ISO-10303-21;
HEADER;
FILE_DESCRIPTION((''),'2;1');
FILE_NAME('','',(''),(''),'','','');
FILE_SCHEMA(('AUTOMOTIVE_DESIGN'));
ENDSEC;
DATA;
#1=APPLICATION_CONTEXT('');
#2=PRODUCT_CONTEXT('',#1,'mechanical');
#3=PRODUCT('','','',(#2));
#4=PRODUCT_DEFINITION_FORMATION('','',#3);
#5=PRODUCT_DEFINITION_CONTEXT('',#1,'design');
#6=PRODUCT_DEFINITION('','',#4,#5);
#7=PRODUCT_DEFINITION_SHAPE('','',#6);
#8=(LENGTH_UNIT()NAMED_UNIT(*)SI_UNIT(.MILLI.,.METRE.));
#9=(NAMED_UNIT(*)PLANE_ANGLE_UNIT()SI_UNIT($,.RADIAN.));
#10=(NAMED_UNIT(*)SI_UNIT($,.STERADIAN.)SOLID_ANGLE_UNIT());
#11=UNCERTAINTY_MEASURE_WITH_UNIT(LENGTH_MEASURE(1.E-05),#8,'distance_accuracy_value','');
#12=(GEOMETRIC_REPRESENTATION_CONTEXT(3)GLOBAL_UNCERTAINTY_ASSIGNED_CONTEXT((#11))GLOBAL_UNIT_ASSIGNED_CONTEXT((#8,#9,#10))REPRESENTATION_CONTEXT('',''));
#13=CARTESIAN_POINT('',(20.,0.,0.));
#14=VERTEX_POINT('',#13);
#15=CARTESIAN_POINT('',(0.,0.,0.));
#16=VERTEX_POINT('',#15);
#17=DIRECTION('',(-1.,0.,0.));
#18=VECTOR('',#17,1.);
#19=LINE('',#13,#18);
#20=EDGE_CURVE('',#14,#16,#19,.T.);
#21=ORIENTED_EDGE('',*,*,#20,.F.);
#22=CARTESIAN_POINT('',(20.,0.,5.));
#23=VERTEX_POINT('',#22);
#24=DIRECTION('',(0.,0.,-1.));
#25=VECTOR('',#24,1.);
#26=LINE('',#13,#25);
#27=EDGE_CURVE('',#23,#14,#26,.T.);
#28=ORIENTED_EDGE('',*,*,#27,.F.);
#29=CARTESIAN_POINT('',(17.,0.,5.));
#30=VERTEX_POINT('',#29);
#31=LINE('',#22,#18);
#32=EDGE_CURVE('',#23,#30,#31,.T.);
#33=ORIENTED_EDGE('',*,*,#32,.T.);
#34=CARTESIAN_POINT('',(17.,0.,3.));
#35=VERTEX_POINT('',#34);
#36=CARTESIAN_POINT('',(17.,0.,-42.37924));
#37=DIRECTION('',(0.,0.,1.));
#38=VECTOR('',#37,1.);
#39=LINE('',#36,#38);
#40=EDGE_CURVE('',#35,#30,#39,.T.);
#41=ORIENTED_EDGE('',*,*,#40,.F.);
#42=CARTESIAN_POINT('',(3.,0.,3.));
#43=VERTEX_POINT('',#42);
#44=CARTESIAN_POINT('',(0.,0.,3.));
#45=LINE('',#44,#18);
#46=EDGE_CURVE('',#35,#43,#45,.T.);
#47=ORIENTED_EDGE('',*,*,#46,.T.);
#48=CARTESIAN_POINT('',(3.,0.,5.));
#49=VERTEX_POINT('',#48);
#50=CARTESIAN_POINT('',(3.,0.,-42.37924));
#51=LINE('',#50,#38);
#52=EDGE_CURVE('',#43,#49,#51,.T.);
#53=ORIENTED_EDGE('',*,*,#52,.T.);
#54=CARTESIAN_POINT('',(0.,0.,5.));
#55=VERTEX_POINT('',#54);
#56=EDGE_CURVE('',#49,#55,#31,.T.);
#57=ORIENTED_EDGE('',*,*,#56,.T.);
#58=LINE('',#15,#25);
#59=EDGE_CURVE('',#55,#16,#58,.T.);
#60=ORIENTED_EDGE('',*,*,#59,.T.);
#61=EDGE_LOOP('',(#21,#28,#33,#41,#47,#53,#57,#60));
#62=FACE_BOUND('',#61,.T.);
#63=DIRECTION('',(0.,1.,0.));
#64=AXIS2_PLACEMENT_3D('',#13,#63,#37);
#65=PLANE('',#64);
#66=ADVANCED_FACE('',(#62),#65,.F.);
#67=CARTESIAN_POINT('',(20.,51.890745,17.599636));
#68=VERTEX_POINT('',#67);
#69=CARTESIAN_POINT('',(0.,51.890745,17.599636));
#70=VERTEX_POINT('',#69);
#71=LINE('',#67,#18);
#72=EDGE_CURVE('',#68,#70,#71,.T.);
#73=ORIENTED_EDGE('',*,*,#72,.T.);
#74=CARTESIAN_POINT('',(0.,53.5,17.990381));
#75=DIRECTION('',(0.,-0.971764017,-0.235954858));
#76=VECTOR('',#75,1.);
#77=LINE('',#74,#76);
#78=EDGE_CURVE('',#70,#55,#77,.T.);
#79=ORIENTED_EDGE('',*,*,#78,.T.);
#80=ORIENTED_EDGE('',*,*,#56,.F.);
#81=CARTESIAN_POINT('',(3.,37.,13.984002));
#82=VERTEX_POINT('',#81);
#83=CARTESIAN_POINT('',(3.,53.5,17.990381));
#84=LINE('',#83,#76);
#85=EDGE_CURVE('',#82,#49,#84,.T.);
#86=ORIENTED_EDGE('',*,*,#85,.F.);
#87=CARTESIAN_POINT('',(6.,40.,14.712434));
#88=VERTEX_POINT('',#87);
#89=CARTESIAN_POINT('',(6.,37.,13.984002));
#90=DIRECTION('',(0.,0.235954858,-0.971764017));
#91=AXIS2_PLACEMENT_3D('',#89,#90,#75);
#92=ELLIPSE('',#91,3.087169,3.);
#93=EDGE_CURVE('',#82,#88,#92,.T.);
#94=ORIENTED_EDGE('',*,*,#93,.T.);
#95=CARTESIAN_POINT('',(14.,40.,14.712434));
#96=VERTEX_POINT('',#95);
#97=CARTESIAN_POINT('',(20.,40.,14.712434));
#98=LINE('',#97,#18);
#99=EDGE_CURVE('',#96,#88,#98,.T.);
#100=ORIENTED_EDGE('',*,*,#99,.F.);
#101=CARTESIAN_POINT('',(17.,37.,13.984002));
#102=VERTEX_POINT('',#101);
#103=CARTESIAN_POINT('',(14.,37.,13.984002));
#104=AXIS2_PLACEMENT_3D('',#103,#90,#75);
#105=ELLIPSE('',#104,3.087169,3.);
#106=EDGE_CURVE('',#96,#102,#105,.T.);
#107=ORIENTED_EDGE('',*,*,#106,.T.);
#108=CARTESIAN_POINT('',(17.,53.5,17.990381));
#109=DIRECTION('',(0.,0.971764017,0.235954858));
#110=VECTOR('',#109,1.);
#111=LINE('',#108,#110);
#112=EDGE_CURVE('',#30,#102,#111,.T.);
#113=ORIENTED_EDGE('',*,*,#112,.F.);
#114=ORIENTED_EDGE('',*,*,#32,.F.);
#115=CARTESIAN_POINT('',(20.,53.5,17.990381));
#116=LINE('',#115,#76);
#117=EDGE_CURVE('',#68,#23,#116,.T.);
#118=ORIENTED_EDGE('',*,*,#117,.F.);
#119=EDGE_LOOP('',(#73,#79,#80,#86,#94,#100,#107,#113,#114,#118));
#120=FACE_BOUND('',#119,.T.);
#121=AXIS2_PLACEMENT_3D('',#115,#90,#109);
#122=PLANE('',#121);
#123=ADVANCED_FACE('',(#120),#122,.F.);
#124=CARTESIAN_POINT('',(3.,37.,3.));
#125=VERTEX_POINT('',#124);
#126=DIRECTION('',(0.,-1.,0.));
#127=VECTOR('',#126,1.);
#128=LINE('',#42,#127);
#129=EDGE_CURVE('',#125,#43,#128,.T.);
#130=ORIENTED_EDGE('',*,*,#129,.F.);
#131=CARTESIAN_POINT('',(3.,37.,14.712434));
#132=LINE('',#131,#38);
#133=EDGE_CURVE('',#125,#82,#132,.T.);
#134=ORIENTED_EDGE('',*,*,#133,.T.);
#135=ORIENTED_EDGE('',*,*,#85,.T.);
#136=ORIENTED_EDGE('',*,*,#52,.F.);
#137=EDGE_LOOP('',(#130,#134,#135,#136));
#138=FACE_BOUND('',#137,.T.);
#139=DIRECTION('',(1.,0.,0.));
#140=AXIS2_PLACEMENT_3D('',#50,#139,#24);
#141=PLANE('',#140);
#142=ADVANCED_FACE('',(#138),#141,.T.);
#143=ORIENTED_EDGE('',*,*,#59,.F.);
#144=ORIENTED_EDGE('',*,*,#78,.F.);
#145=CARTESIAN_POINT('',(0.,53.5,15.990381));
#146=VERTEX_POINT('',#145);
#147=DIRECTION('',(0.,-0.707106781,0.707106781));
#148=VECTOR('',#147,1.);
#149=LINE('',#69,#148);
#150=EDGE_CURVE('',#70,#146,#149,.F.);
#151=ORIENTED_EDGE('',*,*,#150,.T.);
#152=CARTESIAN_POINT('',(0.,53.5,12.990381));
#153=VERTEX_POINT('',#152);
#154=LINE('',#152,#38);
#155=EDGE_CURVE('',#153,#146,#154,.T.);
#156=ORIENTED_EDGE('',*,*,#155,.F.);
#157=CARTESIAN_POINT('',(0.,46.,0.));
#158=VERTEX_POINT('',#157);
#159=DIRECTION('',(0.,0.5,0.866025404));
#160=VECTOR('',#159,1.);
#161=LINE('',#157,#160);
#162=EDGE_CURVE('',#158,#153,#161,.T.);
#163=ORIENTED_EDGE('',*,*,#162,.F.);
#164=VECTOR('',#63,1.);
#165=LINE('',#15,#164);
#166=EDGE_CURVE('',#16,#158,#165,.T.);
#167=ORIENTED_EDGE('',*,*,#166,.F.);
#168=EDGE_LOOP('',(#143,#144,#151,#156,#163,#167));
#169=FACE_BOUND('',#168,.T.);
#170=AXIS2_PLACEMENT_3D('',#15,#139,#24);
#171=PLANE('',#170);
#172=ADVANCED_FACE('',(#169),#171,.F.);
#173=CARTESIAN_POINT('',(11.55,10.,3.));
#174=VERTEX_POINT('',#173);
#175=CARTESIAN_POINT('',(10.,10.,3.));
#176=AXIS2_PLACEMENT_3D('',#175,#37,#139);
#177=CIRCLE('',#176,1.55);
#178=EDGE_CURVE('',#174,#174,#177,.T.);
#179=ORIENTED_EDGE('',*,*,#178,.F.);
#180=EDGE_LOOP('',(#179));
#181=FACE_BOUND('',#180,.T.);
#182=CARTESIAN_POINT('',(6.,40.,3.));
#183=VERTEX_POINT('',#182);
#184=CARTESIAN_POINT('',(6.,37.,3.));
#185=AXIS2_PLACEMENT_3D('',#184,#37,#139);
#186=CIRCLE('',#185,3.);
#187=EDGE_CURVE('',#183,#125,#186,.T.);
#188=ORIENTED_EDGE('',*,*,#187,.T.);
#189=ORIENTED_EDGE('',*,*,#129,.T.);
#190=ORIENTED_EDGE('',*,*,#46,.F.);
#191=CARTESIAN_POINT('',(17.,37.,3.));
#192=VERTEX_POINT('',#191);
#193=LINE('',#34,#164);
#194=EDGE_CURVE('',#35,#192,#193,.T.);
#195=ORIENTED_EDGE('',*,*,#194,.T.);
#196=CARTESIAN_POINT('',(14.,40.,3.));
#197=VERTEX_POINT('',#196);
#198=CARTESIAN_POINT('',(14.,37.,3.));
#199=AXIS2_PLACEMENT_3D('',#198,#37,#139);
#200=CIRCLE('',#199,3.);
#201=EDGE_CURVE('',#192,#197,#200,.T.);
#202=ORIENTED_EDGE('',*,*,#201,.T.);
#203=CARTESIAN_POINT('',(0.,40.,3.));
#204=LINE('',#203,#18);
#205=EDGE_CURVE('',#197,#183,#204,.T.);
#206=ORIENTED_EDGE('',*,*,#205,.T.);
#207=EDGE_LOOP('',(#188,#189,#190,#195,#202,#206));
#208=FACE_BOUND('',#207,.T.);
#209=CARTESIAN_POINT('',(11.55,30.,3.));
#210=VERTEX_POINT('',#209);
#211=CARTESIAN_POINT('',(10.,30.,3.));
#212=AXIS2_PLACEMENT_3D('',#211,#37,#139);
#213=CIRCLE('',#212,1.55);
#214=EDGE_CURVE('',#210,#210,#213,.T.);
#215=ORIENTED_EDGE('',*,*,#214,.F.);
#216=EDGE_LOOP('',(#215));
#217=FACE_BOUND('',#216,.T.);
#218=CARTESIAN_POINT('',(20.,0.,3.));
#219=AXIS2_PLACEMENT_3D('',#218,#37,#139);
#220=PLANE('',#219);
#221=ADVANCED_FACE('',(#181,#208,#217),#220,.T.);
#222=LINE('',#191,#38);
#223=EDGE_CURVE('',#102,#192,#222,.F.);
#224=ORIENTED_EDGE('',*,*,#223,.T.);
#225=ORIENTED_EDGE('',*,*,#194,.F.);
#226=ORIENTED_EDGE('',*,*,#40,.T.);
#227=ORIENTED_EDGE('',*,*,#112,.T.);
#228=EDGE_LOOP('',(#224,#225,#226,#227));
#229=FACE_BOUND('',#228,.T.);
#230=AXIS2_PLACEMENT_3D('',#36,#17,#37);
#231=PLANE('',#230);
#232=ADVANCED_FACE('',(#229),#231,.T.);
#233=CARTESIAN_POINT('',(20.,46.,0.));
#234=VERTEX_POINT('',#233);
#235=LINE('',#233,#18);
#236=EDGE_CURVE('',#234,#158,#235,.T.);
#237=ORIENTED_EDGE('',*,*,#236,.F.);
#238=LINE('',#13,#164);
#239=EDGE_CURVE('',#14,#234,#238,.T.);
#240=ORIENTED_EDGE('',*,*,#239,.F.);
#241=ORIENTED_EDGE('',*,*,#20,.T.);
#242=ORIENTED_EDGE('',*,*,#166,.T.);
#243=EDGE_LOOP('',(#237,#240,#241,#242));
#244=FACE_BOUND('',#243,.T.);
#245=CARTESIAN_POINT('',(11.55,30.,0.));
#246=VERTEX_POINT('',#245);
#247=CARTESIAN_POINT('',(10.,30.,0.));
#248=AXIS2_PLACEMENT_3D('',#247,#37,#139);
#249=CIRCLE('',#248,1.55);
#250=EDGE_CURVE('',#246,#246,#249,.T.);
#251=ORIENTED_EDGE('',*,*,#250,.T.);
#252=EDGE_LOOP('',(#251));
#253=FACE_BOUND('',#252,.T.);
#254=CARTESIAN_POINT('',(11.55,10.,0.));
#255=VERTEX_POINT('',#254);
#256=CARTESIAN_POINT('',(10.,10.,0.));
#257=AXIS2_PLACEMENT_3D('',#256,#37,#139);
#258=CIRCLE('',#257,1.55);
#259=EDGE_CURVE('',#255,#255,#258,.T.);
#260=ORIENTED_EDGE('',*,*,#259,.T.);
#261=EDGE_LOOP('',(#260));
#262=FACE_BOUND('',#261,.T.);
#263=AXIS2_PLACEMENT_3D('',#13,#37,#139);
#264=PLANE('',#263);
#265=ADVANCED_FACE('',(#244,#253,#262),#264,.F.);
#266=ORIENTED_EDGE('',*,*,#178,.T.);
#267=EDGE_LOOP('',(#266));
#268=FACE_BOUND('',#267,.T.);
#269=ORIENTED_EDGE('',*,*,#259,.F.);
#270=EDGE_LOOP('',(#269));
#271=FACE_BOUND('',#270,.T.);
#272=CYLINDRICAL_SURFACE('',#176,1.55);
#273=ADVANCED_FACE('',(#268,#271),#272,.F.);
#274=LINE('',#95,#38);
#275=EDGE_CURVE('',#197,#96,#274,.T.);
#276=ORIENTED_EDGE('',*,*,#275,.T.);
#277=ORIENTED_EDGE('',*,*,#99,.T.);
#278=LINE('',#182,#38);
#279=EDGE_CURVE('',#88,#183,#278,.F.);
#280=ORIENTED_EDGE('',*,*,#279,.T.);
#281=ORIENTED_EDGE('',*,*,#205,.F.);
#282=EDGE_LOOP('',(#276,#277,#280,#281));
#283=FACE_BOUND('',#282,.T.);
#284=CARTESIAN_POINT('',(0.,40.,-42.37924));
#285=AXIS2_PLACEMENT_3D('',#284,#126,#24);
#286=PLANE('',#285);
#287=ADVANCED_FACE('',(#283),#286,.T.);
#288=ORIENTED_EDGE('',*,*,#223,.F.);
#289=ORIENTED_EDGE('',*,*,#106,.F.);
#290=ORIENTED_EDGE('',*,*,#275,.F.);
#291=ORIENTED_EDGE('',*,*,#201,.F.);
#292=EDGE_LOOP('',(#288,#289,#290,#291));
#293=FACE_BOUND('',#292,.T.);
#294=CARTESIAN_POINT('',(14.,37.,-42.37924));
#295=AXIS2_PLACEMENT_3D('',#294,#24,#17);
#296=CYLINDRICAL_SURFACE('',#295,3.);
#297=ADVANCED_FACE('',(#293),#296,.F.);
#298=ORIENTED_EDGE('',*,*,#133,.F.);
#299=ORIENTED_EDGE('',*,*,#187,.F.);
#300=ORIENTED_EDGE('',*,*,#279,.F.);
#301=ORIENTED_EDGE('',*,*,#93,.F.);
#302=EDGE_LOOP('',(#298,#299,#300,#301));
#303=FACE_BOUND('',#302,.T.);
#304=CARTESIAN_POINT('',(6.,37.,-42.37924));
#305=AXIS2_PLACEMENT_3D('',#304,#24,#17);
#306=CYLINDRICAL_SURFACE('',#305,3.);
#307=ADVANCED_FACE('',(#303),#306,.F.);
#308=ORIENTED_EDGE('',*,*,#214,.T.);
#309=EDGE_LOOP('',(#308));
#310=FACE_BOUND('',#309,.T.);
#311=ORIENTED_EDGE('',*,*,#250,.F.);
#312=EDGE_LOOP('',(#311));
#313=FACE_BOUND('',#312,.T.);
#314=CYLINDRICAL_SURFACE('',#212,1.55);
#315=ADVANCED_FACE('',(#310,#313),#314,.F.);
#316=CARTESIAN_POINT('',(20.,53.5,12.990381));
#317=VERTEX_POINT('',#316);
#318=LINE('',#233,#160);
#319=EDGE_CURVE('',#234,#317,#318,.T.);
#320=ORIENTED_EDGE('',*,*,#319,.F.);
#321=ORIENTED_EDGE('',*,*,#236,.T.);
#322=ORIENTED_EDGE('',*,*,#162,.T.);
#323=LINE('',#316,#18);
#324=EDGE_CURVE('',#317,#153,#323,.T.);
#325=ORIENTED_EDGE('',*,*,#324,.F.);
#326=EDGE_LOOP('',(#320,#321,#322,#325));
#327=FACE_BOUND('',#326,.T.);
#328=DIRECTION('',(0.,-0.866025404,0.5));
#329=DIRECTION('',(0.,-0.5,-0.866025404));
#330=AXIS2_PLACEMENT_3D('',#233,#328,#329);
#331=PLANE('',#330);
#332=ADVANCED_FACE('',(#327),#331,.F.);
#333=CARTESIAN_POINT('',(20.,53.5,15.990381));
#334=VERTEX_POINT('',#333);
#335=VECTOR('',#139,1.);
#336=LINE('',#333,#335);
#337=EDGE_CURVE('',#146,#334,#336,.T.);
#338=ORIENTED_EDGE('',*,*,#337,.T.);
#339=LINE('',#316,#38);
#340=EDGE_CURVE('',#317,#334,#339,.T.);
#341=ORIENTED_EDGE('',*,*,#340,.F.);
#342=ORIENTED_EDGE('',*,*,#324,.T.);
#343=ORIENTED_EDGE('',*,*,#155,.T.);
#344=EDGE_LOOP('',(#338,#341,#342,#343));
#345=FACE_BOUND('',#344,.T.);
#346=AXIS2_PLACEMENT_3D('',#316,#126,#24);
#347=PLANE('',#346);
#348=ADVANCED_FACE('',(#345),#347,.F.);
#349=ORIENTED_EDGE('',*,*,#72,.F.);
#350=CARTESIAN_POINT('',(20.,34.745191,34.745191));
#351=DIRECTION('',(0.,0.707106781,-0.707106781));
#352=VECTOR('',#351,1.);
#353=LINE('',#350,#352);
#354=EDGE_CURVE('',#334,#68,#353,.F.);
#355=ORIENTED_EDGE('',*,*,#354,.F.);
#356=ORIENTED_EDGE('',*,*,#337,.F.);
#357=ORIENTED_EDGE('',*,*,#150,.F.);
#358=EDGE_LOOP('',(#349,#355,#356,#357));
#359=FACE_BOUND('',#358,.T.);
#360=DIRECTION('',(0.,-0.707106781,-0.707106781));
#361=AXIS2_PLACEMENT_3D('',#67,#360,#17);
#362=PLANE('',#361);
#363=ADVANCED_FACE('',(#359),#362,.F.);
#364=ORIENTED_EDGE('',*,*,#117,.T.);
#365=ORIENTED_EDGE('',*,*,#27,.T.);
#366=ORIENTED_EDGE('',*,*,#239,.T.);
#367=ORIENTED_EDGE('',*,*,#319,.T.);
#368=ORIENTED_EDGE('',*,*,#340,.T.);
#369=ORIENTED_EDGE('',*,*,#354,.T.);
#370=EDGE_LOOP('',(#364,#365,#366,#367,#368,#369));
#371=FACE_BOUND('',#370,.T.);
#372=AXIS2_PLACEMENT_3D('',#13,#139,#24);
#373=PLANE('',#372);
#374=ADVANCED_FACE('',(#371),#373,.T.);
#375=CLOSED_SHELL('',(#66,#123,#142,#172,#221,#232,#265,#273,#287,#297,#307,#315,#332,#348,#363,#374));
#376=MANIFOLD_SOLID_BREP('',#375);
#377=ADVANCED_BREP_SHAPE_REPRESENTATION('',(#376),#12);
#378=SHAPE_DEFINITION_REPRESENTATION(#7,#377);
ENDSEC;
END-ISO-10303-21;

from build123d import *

# Parameters (mm, degrees)
BOSS_EXTRUDE1_DEPTH = 20
CUT_EXTRUDE1_START  = -14.990381
SKETCH4_W           = 14
SKETCH4_H           = 40
CUT_EXTRUDE1_DEPTH  = 11.712434
FILLET1_R           = 3
CHAMFER1_SIZE2      = 2
CHAMFER1_SIZE       = 1.656014526
M3_CLEARANCE_D      = 3.099999896


with BuildPart() as part:
    # Sketch1 → Boss-Extrude1 (new body)
    with BuildSketch(Plane(origin=(0, 0, 0), x_dir=(0, 0, -1), z_dir=(1, 0, 0))):
        Polygon((0, 0), (-5, 0), (-17.990381057, 53.5), (-12.990381057, 53.5), (0, 46), align=None)
    extrude(amount=BOSS_EXTRUDE1_DEPTH)

    # Sketch4 → Cut-Extrude1 (cut)
    with BuildSketch(Plane.XY.offset(17.990381057).offset(CUT_EXTRUDE1_START)):
        with Locations((10, 20)):
            Rectangle(SKETCH4_W, SKETCH4_H)
    extrude(amount=CUT_EXTRUDE1_DEPTH, mode=Mode.SUBTRACT)

    # Fillet1
    fillet1_edges = [part.edges().sort_by_distance(p)[0] for p in [
        (3, 40, 8.856217057),
        (17, 40, 8.856217057),
    ]]
    fillet(fillet1_edges, radius=FILLET1_R)

    # Chamfer1
    chamfer1_edges = [part.edges().sort_by_distance(p)[0] for p in [
        (10, 53.5, 17.990381057),
    ]]
    chamfer(chamfer1_edges, length=CHAMFER1_SIZE, length2=CHAMFER1_SIZE2)

    # M3 Clearance (through all)
    with Locations(Plane(origin=(10, 30, 3), x_dir=(1, 0, 0), z_dir=(0, 0, 1))):
        with Locations((0, 0), (0, -20)):
            Hole(M3_CLEARANCE_D / 2)


solid = part.part
